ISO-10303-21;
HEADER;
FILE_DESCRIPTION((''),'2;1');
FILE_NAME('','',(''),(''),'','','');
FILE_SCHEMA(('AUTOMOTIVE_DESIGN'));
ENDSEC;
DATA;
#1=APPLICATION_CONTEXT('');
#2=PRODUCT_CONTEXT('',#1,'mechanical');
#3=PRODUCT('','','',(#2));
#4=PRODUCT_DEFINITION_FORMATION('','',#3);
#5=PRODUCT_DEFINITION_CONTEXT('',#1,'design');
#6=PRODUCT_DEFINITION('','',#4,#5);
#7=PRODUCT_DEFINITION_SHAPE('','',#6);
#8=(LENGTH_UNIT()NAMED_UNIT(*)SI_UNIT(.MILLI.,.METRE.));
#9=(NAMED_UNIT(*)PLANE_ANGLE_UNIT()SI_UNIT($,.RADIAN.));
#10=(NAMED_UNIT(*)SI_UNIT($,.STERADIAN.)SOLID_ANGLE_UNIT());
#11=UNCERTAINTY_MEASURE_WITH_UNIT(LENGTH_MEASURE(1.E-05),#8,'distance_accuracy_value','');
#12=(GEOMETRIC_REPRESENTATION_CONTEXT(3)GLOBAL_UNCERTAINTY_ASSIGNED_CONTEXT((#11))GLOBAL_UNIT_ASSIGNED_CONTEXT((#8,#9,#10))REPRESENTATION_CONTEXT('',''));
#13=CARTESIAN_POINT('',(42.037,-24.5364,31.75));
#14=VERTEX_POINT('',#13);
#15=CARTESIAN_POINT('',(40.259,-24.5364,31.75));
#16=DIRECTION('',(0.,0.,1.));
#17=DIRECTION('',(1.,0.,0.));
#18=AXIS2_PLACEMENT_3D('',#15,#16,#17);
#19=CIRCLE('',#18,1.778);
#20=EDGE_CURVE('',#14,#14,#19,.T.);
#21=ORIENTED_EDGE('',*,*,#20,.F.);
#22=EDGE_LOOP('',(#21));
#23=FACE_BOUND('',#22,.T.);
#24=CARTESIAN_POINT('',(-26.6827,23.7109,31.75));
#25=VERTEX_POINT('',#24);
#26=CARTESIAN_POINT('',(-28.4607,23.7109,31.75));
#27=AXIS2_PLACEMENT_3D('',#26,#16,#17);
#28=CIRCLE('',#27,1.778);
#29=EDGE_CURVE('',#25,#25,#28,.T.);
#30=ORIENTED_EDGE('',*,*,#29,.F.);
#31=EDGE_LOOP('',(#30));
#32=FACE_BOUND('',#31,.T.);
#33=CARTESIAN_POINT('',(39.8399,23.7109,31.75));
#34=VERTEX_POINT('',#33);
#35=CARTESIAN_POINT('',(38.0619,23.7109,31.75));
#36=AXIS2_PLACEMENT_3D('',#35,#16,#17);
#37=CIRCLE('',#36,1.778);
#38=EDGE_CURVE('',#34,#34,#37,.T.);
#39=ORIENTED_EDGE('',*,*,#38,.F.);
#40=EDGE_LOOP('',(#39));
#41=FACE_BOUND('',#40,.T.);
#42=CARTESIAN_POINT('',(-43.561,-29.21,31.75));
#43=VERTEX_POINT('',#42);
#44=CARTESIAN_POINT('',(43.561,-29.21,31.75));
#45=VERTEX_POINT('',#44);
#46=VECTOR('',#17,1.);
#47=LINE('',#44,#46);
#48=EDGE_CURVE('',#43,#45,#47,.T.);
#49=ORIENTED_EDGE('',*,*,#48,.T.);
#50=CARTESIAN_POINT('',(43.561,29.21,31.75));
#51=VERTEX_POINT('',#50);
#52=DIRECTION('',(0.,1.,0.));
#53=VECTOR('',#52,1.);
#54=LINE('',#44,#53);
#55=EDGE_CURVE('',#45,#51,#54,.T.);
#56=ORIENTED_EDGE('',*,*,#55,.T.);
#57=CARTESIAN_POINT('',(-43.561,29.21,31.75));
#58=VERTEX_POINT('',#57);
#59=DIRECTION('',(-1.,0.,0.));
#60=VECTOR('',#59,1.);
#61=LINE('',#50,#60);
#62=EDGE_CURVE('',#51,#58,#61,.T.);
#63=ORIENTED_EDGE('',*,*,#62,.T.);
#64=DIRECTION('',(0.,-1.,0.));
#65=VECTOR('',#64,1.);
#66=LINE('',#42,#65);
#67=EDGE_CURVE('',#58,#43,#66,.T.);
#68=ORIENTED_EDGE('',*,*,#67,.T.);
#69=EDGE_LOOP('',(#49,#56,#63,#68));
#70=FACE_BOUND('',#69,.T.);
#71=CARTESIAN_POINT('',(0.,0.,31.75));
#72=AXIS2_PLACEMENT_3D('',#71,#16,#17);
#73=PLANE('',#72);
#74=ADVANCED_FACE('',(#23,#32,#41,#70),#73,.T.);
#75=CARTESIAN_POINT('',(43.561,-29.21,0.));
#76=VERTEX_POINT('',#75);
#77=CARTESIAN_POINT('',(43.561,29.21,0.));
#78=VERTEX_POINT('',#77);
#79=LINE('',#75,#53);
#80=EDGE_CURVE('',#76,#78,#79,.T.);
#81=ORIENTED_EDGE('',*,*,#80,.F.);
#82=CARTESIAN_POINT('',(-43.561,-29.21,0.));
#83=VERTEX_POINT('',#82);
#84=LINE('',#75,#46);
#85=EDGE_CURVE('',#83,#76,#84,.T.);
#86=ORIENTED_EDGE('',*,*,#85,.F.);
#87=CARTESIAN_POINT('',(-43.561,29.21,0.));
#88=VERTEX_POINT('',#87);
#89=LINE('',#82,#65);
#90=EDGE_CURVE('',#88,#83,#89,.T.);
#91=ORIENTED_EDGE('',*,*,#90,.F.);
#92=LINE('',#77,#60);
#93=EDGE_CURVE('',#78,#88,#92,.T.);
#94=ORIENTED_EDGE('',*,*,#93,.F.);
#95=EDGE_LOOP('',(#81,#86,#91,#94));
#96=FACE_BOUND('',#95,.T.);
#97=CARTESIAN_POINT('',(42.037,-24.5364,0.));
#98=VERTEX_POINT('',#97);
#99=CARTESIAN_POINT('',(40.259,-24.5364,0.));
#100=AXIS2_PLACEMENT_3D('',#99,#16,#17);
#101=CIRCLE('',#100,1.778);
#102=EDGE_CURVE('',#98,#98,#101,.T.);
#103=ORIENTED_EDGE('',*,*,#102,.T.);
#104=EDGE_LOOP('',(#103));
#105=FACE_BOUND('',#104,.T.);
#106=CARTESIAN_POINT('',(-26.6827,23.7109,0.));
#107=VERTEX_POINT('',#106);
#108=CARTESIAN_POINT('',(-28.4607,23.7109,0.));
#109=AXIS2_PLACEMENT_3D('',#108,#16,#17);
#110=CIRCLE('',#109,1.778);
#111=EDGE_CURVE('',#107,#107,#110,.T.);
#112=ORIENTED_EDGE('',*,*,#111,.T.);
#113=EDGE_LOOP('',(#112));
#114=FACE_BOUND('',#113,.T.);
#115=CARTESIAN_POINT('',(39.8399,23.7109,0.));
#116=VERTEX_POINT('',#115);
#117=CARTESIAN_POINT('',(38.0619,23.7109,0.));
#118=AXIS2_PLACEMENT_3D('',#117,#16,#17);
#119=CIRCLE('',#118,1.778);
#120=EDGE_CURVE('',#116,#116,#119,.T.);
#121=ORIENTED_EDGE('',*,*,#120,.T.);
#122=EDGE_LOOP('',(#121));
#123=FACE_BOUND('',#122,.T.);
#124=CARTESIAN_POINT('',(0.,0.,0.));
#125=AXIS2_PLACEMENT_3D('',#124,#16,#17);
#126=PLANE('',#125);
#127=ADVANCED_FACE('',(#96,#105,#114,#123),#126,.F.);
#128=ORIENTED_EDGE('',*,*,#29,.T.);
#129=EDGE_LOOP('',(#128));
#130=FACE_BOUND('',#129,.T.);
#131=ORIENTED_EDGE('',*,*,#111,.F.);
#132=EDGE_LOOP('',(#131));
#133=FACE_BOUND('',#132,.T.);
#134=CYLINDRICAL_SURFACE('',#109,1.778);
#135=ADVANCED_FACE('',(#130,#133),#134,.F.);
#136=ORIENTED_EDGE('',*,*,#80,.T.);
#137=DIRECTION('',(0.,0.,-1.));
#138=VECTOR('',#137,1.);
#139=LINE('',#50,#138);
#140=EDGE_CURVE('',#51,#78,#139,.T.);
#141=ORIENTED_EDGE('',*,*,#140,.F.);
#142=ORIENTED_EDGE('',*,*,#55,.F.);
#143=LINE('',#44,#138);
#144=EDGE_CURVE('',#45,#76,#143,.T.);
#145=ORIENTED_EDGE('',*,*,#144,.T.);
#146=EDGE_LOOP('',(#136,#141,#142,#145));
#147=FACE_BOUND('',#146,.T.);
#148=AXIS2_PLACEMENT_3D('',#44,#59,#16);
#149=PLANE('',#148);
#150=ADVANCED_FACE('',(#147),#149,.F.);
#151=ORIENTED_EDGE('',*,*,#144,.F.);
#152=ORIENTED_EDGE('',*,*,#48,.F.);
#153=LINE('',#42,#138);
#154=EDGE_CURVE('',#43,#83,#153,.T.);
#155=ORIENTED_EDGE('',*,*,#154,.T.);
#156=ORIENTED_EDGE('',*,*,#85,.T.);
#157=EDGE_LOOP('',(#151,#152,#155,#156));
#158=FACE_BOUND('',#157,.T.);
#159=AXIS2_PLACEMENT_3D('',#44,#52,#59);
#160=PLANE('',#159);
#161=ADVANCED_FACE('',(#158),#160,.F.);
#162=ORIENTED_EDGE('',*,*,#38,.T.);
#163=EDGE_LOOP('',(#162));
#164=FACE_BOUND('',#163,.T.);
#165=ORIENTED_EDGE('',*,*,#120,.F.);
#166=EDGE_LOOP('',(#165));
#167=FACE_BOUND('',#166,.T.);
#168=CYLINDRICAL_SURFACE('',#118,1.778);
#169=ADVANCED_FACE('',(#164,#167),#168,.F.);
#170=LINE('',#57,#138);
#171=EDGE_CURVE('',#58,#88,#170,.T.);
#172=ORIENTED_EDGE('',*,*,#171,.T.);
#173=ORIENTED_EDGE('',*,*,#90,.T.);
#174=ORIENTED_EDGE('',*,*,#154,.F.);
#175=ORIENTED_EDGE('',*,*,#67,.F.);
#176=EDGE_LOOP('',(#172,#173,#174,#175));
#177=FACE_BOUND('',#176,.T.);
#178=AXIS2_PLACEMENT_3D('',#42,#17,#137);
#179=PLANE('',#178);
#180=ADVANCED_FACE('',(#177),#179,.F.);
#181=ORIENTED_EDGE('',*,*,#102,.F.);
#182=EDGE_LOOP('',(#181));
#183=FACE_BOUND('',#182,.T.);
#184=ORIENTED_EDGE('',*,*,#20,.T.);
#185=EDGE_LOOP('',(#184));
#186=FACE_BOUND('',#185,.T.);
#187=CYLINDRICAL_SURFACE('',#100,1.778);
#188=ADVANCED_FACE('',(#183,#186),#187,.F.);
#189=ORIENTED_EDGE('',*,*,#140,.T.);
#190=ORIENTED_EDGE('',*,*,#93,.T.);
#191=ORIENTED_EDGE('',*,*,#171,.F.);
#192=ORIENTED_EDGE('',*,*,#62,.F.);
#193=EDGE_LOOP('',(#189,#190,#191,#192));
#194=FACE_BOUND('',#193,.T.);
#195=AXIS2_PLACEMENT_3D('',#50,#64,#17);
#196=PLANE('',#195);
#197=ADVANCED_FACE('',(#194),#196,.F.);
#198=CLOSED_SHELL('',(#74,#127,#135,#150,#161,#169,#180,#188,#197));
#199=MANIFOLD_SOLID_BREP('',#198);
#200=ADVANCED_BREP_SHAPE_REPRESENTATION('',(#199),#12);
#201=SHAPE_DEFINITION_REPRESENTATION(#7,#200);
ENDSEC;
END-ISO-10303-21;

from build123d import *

# Parameters (mm, degrees)
SKETCH1_W           = 87.122
SKETCH1_H           = 58.42
BOSS_EXTRUDE1_DEPTH = 31.75
SKETCH2_R           = 1.778
CUT_EXTRUDE1_DEPTH  = 32.75


with BuildPart() as part:
    # Sketch1 → Boss-Extrude1 (new body)
    with BuildSketch(Plane.XY):
        Rectangle(SKETCH1_W, SKETCH1_H)
    extrude(amount=BOSS_EXTRUDE1_DEPTH)

    # Sketch2 → Cut-Extrude1 (cut, through all)
    with BuildSketch(Plane.XY.offset(31.75)):
        with Locations((-28.4607, 23.7109)):
            Circle(SKETCH2_R)
        with Locations((38.0619, 23.7109)):
            Circle(SKETCH2_R)
        with Locations((40.259, -24.5364)):
            Circle(SKETCH2_R)
    extrude(amount=-CUT_EXTRUDE1_DEPTH, mode=Mode.SUBTRACT)


solid = part.part
